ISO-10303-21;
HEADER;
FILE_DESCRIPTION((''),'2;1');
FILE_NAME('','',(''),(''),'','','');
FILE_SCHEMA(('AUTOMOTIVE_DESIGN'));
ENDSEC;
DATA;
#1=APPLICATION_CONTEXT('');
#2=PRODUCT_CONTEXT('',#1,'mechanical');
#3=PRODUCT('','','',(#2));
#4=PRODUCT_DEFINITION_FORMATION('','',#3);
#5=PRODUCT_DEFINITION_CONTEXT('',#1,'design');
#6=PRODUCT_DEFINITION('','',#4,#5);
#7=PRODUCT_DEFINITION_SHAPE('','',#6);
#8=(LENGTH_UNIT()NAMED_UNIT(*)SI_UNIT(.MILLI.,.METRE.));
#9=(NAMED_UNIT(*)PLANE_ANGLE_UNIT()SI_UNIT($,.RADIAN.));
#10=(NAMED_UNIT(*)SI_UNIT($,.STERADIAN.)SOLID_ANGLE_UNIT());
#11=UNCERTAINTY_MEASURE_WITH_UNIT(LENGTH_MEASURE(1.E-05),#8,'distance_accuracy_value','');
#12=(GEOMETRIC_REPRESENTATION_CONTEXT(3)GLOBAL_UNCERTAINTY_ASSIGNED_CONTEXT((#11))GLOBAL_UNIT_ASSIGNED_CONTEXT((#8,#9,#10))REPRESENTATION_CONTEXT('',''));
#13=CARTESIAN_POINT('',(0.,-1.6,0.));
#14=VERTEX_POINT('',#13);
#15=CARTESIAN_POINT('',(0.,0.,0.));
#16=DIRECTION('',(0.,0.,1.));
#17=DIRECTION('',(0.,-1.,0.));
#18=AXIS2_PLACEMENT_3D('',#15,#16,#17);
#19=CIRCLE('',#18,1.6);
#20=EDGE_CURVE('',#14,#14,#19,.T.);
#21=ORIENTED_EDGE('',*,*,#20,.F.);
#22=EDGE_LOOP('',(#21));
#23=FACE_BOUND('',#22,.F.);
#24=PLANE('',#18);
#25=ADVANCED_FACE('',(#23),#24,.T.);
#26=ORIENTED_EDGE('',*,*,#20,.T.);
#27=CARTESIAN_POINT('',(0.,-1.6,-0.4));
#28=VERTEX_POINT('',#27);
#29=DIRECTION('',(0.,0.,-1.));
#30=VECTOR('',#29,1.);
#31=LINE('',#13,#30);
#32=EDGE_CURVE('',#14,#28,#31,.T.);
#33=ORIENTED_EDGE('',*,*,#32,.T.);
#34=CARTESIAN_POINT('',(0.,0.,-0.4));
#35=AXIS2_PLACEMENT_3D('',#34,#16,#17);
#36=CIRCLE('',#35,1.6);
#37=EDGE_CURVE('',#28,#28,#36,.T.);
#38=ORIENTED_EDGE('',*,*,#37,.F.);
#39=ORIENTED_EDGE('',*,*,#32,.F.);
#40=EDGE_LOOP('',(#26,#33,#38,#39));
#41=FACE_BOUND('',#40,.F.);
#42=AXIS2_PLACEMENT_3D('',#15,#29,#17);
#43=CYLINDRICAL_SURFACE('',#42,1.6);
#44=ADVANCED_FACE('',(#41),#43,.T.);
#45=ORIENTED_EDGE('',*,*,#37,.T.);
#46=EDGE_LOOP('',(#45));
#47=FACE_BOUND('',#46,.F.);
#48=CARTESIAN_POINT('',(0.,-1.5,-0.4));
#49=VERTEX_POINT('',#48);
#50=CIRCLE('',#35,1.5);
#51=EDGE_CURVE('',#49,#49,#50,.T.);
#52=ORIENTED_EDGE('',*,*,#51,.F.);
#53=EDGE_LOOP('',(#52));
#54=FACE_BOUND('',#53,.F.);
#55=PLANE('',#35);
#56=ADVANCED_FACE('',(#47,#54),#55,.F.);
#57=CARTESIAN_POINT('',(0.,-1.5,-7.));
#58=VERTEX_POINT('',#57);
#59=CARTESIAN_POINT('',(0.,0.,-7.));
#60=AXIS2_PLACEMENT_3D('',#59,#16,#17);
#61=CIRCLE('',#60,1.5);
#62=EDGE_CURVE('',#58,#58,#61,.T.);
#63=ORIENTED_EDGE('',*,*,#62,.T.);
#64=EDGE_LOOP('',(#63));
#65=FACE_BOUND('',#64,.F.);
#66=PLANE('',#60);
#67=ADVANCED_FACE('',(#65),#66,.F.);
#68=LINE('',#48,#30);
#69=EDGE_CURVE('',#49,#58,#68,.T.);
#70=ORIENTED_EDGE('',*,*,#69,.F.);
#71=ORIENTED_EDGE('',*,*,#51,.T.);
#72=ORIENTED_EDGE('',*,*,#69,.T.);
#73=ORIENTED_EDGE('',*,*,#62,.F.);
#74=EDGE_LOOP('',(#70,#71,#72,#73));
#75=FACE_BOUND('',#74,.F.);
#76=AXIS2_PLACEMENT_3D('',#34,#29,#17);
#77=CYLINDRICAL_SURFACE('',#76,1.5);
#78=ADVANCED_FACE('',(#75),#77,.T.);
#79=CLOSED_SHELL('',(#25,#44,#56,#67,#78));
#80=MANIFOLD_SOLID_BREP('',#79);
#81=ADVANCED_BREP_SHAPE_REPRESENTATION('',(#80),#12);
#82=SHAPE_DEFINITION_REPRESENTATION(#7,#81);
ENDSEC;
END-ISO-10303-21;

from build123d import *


with BuildPart() as part:
    # Sketch → Revolution (revolve)
    with BuildSketch(Plane.YZ):
        Polygon((0, 0), (-1.6, 0), (-1.6, -0.4), (-1.5, -0.4), (-1.5, -7), (0, -7), align=None)
    revolve(axis=Axis((0, 0, 0), (0, 0, 1)))


solid = part.part
